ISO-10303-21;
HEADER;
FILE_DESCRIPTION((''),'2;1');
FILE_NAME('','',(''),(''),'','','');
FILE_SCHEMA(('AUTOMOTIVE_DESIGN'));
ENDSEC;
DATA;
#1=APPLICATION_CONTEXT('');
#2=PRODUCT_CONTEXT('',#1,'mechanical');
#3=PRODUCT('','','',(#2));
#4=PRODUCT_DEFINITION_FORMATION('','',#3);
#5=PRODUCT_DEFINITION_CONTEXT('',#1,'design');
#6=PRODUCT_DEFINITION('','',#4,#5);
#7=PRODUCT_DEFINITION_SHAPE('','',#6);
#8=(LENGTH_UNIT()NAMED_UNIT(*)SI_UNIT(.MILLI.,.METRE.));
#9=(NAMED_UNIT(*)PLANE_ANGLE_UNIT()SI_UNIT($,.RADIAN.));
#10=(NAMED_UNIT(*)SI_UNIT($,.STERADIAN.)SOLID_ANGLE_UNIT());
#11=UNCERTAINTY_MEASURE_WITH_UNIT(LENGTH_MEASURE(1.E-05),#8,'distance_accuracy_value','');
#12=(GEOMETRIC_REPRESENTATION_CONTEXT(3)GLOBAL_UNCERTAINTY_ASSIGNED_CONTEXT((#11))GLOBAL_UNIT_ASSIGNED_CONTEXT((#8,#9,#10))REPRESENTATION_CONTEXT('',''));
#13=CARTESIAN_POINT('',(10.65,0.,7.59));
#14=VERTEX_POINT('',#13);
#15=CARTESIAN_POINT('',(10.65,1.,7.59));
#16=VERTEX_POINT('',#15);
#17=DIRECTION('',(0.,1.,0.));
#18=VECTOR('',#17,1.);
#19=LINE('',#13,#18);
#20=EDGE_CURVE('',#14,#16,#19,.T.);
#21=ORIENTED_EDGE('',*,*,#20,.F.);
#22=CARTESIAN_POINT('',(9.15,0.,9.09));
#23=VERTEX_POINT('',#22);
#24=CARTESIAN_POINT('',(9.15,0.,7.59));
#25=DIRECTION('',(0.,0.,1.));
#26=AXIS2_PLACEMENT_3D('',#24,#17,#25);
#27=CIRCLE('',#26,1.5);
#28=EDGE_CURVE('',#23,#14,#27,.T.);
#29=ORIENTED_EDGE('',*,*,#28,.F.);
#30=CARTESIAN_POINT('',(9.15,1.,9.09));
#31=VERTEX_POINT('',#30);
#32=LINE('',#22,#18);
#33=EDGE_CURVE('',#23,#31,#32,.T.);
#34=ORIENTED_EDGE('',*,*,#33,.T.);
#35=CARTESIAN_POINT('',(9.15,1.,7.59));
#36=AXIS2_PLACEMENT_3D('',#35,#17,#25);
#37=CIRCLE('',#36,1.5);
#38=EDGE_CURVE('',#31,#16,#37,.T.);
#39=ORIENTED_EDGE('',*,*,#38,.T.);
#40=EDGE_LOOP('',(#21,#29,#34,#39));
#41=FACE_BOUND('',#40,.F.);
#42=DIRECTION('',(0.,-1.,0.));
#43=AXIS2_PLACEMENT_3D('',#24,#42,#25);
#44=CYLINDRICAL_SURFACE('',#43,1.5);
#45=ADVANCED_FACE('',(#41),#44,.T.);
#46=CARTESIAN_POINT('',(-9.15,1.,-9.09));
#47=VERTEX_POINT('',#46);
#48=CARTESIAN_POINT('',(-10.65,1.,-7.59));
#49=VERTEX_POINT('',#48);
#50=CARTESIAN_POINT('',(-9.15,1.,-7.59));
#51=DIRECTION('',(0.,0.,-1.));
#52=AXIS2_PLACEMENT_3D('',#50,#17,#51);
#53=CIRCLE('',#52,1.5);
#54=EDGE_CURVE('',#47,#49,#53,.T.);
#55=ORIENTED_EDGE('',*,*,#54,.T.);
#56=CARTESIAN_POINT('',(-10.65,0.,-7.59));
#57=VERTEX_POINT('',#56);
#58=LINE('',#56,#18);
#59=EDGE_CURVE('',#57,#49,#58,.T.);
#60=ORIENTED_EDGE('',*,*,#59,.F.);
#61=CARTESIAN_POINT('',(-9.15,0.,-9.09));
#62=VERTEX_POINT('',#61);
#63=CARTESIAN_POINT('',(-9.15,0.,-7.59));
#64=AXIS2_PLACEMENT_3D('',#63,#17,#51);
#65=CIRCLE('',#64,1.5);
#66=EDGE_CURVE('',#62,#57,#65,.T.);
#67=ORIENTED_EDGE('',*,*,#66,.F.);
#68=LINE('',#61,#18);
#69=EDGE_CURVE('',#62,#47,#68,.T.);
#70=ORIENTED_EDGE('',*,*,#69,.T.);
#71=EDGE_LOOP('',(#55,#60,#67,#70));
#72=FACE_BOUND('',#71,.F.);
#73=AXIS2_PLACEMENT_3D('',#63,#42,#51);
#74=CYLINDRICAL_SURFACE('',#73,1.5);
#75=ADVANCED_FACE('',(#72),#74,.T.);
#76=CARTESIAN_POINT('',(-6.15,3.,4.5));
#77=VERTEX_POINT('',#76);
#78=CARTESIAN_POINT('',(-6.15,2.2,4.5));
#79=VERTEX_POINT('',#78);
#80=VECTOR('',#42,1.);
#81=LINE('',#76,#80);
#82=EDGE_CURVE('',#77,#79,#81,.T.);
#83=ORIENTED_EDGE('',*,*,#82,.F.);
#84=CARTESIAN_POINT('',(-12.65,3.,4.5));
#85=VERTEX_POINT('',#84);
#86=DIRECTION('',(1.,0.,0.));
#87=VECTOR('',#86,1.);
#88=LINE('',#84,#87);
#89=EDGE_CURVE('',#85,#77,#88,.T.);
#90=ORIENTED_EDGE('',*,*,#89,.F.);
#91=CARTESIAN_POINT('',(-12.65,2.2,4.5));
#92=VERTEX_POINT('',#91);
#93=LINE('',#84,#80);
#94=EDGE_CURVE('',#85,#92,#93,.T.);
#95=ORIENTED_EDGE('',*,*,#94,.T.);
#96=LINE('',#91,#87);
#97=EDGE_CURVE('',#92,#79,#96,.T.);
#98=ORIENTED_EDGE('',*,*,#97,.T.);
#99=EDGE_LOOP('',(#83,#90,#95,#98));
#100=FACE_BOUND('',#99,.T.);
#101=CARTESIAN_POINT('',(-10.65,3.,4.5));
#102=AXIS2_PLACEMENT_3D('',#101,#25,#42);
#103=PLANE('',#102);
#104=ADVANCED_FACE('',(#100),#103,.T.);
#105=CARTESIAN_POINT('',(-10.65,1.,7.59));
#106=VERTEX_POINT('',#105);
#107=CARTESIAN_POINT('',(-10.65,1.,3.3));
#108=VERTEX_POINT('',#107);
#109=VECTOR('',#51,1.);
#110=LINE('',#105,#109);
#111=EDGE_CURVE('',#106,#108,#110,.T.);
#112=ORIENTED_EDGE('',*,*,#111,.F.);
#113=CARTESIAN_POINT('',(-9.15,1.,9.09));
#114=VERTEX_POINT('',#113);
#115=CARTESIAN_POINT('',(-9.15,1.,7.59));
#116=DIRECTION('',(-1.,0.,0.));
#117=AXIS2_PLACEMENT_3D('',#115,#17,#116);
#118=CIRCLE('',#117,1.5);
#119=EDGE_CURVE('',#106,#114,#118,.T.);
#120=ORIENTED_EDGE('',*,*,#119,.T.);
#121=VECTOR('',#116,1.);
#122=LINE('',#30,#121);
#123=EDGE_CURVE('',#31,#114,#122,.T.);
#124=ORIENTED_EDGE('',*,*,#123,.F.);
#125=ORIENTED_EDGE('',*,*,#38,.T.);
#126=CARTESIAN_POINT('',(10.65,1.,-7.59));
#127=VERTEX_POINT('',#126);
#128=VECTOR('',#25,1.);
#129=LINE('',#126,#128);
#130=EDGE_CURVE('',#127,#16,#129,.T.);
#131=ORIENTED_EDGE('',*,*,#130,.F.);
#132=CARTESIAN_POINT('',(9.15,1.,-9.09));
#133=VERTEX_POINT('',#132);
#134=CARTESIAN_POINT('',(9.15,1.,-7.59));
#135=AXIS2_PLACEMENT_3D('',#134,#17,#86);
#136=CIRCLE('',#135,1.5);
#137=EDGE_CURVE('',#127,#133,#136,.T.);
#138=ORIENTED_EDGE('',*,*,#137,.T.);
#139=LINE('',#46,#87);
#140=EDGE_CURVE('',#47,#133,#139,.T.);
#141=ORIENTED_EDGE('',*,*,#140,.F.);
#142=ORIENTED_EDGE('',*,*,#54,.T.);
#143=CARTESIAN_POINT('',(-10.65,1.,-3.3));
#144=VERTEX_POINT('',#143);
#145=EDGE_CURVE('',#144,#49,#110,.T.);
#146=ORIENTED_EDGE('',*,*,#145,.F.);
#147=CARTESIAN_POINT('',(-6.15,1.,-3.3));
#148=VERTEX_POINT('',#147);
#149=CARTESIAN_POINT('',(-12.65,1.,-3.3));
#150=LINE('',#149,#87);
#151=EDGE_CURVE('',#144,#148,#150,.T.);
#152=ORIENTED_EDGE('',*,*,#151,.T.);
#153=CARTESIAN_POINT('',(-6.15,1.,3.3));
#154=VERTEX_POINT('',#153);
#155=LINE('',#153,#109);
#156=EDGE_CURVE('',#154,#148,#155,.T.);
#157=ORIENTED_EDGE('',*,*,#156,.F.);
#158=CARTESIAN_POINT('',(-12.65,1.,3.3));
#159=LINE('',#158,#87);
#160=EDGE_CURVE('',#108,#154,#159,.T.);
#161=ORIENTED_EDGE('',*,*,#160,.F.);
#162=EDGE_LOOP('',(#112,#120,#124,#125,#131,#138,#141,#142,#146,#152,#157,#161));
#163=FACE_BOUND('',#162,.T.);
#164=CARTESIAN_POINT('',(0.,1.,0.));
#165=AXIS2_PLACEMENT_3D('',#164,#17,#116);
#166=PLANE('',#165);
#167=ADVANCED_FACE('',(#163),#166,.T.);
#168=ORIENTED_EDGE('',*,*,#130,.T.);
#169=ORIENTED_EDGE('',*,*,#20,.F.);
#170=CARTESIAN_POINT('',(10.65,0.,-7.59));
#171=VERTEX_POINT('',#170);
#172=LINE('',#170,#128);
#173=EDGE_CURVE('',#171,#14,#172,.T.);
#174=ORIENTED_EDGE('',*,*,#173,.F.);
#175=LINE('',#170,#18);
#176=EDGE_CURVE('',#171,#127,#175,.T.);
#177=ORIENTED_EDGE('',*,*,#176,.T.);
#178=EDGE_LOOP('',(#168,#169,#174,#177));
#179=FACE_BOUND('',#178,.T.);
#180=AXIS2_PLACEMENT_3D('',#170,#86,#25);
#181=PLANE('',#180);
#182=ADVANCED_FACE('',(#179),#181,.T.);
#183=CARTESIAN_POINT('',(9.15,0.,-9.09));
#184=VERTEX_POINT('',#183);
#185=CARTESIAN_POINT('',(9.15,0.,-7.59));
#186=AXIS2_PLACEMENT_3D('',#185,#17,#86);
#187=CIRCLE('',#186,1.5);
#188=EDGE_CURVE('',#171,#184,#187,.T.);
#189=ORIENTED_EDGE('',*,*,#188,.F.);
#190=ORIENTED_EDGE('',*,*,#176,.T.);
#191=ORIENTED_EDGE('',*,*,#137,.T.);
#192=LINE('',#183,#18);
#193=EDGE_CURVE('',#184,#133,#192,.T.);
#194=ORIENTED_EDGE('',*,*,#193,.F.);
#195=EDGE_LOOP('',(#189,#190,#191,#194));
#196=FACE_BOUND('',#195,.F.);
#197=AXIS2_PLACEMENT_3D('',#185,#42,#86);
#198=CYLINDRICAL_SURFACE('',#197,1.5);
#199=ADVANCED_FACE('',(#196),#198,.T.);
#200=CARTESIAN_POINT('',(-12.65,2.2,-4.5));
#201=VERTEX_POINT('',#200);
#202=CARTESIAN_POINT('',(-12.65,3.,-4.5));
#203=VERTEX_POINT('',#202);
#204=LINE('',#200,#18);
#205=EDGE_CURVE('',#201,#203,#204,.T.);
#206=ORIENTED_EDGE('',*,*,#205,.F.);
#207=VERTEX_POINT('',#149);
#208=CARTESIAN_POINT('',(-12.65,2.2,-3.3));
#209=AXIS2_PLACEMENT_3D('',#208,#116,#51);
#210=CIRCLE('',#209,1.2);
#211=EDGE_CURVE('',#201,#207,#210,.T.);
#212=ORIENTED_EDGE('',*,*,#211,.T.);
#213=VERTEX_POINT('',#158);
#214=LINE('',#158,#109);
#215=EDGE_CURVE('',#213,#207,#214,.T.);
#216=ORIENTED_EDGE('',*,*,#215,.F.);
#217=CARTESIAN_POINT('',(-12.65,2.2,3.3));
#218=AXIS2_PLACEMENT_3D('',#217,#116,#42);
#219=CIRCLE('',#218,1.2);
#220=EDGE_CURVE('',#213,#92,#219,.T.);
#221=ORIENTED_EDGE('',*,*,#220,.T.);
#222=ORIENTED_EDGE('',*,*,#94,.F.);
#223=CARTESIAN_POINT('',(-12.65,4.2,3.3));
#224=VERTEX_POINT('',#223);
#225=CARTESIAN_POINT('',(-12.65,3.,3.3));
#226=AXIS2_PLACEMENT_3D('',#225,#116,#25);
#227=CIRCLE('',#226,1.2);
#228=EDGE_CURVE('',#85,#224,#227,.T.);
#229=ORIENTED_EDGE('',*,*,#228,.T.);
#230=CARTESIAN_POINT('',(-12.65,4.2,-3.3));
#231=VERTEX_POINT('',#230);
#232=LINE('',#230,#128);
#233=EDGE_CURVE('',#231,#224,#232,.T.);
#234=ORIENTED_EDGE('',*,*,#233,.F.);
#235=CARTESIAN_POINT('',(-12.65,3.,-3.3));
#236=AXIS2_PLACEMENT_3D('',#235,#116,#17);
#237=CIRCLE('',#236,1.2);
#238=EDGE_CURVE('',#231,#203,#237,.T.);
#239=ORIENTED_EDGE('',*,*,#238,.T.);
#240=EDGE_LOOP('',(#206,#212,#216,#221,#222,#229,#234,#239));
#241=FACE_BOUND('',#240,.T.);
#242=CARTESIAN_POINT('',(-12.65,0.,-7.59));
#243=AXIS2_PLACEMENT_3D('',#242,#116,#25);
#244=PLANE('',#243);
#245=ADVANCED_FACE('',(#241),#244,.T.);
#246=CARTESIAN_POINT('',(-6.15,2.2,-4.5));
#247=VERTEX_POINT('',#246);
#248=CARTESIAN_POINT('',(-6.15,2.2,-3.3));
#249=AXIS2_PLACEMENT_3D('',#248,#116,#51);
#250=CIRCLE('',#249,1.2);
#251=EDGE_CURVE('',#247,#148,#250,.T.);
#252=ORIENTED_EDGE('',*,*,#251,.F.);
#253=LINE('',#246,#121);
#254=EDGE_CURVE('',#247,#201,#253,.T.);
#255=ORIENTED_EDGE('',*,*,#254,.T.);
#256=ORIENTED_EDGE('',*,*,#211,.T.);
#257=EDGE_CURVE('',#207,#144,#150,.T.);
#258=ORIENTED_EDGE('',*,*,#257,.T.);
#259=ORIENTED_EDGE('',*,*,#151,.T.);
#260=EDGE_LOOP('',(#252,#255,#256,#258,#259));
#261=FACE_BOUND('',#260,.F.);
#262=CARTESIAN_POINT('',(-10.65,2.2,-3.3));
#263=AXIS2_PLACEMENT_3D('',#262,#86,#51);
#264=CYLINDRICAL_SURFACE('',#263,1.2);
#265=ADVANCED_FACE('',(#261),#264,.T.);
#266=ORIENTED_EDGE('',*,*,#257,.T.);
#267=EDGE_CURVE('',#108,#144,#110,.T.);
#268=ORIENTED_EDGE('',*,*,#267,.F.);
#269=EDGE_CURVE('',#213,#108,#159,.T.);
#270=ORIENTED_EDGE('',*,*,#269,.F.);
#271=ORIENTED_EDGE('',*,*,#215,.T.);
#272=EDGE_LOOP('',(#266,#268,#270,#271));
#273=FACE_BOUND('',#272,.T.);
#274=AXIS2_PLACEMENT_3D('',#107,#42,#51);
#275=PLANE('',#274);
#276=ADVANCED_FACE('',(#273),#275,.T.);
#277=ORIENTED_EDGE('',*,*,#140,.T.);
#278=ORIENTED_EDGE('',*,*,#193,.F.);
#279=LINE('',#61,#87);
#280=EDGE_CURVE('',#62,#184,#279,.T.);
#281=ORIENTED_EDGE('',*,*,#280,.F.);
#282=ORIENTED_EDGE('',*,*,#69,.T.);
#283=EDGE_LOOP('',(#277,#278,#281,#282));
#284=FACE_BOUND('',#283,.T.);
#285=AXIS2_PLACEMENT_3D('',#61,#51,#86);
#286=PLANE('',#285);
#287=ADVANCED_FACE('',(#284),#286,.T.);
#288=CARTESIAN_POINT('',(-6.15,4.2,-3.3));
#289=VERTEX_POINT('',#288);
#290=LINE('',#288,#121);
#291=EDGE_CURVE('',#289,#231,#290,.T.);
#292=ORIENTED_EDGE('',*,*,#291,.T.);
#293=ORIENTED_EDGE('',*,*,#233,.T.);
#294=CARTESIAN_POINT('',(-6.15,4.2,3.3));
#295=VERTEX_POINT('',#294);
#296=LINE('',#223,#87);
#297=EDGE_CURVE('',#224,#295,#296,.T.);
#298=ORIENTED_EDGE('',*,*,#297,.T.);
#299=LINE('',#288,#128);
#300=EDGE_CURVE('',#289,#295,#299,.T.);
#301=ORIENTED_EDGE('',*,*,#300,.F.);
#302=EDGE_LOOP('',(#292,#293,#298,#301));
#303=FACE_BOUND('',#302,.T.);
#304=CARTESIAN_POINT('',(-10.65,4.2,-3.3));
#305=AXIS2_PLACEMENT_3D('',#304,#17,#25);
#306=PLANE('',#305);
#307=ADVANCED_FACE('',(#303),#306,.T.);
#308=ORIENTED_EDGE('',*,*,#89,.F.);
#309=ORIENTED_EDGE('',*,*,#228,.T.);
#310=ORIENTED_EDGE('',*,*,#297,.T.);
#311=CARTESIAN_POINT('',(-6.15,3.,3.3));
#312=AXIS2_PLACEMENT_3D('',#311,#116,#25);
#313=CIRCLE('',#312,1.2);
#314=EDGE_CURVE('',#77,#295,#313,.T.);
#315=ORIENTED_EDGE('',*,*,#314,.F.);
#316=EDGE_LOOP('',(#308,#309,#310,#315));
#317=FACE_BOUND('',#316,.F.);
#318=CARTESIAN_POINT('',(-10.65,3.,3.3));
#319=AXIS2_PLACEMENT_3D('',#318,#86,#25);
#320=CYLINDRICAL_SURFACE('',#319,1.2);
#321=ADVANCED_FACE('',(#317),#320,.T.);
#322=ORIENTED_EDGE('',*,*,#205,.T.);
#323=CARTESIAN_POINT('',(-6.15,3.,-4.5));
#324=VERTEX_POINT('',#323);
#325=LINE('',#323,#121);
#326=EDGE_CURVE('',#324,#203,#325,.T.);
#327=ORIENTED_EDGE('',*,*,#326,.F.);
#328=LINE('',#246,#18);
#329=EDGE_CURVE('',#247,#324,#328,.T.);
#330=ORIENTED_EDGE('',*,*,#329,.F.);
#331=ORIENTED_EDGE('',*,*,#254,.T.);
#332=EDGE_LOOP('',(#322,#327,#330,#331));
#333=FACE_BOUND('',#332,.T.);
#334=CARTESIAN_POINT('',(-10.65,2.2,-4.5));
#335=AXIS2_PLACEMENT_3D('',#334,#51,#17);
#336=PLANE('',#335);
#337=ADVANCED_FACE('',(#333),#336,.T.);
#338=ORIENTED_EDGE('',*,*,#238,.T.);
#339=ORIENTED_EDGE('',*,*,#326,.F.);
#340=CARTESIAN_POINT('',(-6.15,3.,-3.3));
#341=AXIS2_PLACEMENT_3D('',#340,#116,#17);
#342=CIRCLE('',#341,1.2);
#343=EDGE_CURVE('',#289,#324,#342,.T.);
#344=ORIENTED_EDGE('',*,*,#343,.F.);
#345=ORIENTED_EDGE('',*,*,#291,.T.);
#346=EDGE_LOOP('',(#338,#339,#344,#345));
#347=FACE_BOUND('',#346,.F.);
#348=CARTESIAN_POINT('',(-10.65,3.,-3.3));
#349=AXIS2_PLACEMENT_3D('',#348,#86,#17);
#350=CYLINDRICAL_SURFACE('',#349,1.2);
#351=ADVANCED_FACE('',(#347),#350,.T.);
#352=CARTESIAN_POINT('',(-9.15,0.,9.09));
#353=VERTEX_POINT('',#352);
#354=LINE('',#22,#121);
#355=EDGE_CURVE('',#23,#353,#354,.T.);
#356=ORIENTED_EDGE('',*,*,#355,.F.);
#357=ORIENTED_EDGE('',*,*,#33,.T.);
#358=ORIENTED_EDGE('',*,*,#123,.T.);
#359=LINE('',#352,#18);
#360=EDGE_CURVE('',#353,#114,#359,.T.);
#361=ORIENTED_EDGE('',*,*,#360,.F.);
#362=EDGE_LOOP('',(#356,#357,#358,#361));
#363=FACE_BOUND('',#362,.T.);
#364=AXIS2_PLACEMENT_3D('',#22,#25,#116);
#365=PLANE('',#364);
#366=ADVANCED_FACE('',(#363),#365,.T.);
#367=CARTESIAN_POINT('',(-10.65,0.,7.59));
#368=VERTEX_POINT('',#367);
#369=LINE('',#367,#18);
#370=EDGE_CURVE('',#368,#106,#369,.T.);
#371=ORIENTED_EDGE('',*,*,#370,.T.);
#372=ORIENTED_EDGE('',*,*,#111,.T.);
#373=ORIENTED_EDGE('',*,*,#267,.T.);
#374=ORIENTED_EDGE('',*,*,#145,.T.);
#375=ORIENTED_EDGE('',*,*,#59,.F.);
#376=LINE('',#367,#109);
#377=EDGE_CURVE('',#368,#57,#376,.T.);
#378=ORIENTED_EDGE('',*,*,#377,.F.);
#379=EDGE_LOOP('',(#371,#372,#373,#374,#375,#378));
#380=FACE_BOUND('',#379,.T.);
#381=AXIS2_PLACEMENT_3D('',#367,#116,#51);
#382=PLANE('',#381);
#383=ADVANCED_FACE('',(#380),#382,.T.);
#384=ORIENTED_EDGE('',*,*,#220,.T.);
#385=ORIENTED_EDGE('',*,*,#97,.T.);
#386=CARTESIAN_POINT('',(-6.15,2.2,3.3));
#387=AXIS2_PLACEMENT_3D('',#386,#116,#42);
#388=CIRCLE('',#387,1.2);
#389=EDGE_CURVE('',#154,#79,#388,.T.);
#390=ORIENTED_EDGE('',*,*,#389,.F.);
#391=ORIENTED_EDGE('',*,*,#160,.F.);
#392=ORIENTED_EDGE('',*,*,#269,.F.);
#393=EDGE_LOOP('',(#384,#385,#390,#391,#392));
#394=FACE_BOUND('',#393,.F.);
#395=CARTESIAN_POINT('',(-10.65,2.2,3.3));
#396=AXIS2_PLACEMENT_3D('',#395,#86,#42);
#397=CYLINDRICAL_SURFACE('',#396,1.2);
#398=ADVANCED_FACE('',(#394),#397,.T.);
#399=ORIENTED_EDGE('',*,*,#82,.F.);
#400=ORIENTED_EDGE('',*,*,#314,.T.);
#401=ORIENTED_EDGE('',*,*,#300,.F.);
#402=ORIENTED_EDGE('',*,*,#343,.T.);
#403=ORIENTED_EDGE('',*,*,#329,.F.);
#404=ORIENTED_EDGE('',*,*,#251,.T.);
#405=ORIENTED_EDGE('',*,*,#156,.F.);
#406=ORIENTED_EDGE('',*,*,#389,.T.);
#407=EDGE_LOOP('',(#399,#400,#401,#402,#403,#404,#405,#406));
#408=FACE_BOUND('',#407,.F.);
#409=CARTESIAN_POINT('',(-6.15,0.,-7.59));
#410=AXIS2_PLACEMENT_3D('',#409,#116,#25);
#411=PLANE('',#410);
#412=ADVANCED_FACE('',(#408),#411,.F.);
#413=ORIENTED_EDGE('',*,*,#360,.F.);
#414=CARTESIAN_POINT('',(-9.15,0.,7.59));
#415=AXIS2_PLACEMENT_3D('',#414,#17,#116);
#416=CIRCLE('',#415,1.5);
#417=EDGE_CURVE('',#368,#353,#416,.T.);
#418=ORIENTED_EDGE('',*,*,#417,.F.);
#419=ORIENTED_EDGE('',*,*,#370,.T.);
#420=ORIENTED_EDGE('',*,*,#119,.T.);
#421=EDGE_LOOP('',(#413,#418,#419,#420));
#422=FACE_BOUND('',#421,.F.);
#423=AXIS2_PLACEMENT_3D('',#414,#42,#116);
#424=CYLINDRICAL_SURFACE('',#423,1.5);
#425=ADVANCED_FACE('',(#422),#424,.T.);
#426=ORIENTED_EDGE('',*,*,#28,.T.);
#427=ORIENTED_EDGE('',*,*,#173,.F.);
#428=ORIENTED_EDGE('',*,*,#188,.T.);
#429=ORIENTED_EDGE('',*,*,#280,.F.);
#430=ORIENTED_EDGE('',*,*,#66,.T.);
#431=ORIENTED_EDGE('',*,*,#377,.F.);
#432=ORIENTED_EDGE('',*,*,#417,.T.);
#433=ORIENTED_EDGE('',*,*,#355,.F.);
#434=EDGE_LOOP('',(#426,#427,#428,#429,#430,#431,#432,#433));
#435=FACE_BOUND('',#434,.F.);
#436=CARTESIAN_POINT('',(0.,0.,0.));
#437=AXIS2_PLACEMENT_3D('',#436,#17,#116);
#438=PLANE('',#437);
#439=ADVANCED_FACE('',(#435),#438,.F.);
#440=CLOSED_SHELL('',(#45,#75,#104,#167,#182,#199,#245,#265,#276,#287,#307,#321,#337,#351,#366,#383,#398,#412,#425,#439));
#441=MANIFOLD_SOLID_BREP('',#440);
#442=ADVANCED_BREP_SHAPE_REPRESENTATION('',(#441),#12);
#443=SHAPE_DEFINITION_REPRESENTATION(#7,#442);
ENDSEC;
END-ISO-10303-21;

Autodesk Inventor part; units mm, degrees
ref_plane "YZ Plane" through (0, 0, 0) normal (1, 0, 0) x (0, 1, 0)
ref_plane "XZ Plane" through (0, 0, 0) normal (0, 1, 0) x (-1, 0, 0)
ref_plane "XY Plane" through (0, 0, 0) normal (0, 0, 1) x (1, 0, 0)
sketch "Sketch1" plane through (0, 0, 0) normal (0, 1, 0) x (-1, 0, 0)
  line L0 (-9.15, 9.09) -> (9.15, 9.09)
  line L1 (10.65, 7.59) -> (10.65, -7.59)
  line L2 (9.15, -9.09) -> (-9.15, -9.09)
  line L3 (-10.65, -7.59) -> (-10.65, 7.59)
  line L4 (-10.65, 9.09) -> (10.65, -9.09) construction
  line L5 (10.65, 9.09) -> (-10.65, -9.09) construction
  arc A0 (10.65, 7.59) -> (9.15, 9.09) centre (9.15, 7.59) ccw
  arc A1 (9.15, -9.09) -> (10.65, -7.59) centre (9.15, -7.59) ccw
  arc A2 (-10.65, -7.59) -> (-9.15, -9.09) centre (-9.15, -7.59) ccw
  arc A3 (-9.15, 9.09) -> (-10.65, 7.59) centre (-9.15, 7.59) ccw
  point P0 (0, 0)
  dimension "d0" = 21.3
  dimension "d1" = 18.18
  dimension "d2" = 1.5
extrude "Extrusion1" add sketch "Sketch1" along normal blind 1
sketch "Sketch2" plane through (-10.65, 0, -7.59) normal (-1, 0, 0) x (0, 0, 1)
  line L0 (4.29, 4.2) -> (10.89, 4.2)
  line L1 (12.09, 3) -> (12.09, 2.2)
  line L2 (10.89, 1) -> (4.29, 1)
  line L3 (3.09, 2.2) -> (3.09, 3)
  line L4 (3.09, 4.2) -> (12.09, 1) construction
  line L5 (12.09, 4.2) -> (3.09, 1) construction
  line L6 (0, 1) -> (15.18, 1) projected
  line L7 (0, 0) -> (15.18, 0) projected
  arc A0 (4.29, 4.2) -> (3.09, 3) centre (4.29, 3) ccw
  arc A1 (12.09, 3) -> (10.89, 4.2) centre (10.89, 3) ccw
  arc A2 (10.89, 1) -> (12.09, 2.2) centre (10.89, 2.2) ccw
  arc A3 (3.09, 2.2) -> (4.29, 1) centre (4.29, 2.2) ccw
  point P0 (7.59, 0)
  point P1 (7.59, 2.6)
  point P2 (7.59, 0)
  dimension "d5" = 9
  dimension "d6" = 3.2
  dimension "d11" = 1.2
extrude "Extrusion2" add sketch "Sketch2" along normal blind 2 and the other way blind 4.5
properties part number "seed_arduino"
